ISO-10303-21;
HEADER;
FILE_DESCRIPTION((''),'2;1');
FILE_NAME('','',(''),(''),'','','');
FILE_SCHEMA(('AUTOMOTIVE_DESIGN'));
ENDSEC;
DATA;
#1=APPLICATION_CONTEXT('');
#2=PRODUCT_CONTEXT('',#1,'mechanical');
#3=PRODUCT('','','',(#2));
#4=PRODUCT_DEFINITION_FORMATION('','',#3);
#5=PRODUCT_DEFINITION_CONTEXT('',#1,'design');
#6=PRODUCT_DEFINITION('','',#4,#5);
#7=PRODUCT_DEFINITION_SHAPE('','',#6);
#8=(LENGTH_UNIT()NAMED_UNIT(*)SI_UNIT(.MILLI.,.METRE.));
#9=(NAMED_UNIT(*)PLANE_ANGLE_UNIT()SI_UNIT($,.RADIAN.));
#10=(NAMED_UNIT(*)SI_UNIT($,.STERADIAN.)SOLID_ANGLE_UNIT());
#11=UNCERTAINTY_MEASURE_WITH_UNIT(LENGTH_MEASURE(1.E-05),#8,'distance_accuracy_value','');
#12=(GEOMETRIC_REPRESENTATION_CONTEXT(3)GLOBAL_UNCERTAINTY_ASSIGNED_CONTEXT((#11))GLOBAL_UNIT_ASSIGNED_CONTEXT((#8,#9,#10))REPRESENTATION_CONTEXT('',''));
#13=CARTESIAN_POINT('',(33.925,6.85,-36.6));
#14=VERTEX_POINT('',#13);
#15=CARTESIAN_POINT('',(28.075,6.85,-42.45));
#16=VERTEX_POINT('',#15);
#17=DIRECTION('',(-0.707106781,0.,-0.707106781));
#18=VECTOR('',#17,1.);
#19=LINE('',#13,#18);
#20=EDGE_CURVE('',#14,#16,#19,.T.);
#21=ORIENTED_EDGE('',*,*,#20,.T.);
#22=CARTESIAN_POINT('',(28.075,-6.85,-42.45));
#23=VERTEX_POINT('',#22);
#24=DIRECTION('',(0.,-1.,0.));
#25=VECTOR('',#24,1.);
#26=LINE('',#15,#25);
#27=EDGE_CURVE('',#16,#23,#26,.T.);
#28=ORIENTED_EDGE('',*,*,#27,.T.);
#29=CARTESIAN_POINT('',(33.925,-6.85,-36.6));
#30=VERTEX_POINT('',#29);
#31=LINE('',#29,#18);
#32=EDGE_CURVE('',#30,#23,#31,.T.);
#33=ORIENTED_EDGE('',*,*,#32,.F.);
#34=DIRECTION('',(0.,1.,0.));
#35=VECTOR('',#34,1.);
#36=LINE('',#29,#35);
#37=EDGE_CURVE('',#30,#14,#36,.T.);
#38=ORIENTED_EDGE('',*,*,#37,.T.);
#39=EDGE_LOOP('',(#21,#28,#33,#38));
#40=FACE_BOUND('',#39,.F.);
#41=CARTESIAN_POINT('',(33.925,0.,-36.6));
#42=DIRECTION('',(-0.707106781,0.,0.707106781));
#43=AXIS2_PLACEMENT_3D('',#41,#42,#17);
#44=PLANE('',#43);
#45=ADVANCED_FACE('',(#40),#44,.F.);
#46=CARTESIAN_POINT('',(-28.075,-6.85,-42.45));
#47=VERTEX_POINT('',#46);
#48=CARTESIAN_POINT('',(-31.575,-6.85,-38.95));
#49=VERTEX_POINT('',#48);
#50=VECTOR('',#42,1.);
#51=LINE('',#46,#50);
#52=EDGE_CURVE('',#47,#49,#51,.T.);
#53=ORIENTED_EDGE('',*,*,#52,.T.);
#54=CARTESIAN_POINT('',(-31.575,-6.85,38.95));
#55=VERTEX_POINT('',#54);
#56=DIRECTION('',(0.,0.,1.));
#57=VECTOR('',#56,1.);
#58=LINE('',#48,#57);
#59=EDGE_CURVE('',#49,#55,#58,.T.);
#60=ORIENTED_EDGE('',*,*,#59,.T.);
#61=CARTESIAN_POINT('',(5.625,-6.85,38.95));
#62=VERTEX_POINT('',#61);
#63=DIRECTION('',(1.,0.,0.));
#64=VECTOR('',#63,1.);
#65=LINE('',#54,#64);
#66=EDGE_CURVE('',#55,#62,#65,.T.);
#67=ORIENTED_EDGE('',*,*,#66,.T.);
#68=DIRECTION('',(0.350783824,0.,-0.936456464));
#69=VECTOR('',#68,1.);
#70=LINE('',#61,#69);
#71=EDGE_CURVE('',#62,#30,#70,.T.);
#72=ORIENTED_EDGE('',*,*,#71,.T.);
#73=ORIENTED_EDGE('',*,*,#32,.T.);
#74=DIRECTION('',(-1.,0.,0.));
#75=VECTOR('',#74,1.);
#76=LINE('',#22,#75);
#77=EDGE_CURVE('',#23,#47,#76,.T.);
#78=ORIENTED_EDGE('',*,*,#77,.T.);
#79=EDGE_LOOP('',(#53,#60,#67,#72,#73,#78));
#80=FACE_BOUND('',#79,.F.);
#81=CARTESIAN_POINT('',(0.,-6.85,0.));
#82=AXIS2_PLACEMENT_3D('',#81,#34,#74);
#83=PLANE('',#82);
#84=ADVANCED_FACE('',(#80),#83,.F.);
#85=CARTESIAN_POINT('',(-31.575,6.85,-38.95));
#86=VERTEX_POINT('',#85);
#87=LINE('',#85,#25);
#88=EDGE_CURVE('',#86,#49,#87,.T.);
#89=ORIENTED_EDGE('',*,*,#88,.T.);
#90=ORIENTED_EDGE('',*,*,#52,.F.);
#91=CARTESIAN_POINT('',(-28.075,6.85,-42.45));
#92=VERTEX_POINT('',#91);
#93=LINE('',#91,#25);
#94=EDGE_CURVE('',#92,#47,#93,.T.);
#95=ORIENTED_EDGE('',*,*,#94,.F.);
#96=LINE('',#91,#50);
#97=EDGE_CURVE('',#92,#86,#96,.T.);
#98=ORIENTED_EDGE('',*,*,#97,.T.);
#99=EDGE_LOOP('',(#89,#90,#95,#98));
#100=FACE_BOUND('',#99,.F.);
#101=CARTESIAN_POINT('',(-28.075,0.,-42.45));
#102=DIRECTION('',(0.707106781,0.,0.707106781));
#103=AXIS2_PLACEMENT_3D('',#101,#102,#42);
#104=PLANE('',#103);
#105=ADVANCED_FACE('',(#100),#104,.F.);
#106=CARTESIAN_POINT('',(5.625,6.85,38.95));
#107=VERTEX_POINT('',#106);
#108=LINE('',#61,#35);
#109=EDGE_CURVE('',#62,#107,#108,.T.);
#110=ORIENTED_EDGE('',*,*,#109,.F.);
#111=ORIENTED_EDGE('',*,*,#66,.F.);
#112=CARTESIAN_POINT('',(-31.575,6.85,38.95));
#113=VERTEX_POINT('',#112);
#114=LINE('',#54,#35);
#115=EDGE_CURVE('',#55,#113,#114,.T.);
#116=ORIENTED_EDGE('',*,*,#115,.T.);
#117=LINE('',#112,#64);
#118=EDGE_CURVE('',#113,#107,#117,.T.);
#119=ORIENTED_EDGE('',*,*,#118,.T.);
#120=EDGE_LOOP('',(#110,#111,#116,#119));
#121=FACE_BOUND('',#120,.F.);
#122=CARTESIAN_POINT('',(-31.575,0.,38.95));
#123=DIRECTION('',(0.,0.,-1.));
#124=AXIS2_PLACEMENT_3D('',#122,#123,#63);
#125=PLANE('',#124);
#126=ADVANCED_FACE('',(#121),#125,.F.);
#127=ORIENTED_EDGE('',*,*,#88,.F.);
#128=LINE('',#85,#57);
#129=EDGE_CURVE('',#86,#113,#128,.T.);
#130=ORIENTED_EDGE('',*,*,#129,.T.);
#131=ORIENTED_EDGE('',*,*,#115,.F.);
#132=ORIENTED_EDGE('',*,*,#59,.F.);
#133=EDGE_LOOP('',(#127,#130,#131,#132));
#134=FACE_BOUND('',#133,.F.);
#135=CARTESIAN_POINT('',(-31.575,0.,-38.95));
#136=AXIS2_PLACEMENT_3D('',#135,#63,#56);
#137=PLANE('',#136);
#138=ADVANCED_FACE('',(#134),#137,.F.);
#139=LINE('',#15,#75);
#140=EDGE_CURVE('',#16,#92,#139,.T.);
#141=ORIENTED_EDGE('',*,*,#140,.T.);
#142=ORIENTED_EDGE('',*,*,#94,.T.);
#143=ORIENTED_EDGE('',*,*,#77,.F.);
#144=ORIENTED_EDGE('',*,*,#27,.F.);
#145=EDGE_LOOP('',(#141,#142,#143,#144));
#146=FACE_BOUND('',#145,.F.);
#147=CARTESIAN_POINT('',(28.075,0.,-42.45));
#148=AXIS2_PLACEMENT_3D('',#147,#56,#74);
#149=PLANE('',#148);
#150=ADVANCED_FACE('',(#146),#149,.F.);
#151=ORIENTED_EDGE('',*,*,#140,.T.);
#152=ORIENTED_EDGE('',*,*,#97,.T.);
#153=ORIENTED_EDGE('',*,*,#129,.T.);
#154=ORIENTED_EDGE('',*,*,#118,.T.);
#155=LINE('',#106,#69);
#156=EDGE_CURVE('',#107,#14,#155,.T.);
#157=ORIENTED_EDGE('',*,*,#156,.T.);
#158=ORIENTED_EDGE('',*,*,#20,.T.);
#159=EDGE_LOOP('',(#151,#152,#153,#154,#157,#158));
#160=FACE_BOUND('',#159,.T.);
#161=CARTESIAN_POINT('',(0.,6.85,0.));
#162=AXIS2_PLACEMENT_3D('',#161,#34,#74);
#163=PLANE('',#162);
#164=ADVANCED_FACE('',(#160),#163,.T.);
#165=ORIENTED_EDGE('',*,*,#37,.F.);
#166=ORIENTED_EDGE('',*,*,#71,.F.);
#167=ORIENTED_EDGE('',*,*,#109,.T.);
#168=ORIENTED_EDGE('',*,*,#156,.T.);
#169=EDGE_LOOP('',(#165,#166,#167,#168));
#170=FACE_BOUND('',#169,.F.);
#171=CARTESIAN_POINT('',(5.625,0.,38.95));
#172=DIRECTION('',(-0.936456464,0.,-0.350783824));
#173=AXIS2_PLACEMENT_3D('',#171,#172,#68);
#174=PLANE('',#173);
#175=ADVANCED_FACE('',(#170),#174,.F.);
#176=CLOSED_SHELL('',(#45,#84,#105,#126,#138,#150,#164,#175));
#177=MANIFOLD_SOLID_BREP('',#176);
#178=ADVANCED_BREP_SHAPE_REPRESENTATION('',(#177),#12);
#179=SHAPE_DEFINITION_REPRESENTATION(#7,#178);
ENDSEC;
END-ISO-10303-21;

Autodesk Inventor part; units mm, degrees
ref_plane "YZ Plane" through (0, 0, 0) normal (1, 0, 0) x (0, 1, 0)
ref_plane "XZ Plane" through (0, 0, 0) normal (0, 1, 0) x (-1, 0, 0)
ref_plane "XY Plane" through (0, 0, 0) normal (0, 0, 1) x (1, 0, 0)
sketch "Sketch1" plane through (0, 0, 0) normal (0, 1, 0) x (-1, 0, 0)
  line L0 (31.575, 38.95) -> (-5.625, 38.95)
  line L1 (-5.625, 38.95) -> (-33.925, -36.6)
  line L2 (-33.925, -36.6) -> (-28.075, -42.45)
  line L3 (-28.075, -42.45) -> (28.075, -42.45)
  line L4 (28.075, -42.45) -> (31.575, -38.95)
  line L5 (31.575, -38.95) -> (31.575, 38.95)
  point P0 (0, 0)
  point P1 (0, -42.45)
  point P2 (31.575, 0)
  dimension "d0" = 3.5
  dimension "d1" = 3.5
  dimension "d2" = 81.4
  dimension "d3" = 37.2
  dimension "d4" = 65.5
  dimension "d5" = 59.65
extrude "Extrusion1" add sketch "Sketch1" along normal mid plane 13.7
equation "\"d1\" = d0"
properties part number "StrategyCard_All" material "Paper"
